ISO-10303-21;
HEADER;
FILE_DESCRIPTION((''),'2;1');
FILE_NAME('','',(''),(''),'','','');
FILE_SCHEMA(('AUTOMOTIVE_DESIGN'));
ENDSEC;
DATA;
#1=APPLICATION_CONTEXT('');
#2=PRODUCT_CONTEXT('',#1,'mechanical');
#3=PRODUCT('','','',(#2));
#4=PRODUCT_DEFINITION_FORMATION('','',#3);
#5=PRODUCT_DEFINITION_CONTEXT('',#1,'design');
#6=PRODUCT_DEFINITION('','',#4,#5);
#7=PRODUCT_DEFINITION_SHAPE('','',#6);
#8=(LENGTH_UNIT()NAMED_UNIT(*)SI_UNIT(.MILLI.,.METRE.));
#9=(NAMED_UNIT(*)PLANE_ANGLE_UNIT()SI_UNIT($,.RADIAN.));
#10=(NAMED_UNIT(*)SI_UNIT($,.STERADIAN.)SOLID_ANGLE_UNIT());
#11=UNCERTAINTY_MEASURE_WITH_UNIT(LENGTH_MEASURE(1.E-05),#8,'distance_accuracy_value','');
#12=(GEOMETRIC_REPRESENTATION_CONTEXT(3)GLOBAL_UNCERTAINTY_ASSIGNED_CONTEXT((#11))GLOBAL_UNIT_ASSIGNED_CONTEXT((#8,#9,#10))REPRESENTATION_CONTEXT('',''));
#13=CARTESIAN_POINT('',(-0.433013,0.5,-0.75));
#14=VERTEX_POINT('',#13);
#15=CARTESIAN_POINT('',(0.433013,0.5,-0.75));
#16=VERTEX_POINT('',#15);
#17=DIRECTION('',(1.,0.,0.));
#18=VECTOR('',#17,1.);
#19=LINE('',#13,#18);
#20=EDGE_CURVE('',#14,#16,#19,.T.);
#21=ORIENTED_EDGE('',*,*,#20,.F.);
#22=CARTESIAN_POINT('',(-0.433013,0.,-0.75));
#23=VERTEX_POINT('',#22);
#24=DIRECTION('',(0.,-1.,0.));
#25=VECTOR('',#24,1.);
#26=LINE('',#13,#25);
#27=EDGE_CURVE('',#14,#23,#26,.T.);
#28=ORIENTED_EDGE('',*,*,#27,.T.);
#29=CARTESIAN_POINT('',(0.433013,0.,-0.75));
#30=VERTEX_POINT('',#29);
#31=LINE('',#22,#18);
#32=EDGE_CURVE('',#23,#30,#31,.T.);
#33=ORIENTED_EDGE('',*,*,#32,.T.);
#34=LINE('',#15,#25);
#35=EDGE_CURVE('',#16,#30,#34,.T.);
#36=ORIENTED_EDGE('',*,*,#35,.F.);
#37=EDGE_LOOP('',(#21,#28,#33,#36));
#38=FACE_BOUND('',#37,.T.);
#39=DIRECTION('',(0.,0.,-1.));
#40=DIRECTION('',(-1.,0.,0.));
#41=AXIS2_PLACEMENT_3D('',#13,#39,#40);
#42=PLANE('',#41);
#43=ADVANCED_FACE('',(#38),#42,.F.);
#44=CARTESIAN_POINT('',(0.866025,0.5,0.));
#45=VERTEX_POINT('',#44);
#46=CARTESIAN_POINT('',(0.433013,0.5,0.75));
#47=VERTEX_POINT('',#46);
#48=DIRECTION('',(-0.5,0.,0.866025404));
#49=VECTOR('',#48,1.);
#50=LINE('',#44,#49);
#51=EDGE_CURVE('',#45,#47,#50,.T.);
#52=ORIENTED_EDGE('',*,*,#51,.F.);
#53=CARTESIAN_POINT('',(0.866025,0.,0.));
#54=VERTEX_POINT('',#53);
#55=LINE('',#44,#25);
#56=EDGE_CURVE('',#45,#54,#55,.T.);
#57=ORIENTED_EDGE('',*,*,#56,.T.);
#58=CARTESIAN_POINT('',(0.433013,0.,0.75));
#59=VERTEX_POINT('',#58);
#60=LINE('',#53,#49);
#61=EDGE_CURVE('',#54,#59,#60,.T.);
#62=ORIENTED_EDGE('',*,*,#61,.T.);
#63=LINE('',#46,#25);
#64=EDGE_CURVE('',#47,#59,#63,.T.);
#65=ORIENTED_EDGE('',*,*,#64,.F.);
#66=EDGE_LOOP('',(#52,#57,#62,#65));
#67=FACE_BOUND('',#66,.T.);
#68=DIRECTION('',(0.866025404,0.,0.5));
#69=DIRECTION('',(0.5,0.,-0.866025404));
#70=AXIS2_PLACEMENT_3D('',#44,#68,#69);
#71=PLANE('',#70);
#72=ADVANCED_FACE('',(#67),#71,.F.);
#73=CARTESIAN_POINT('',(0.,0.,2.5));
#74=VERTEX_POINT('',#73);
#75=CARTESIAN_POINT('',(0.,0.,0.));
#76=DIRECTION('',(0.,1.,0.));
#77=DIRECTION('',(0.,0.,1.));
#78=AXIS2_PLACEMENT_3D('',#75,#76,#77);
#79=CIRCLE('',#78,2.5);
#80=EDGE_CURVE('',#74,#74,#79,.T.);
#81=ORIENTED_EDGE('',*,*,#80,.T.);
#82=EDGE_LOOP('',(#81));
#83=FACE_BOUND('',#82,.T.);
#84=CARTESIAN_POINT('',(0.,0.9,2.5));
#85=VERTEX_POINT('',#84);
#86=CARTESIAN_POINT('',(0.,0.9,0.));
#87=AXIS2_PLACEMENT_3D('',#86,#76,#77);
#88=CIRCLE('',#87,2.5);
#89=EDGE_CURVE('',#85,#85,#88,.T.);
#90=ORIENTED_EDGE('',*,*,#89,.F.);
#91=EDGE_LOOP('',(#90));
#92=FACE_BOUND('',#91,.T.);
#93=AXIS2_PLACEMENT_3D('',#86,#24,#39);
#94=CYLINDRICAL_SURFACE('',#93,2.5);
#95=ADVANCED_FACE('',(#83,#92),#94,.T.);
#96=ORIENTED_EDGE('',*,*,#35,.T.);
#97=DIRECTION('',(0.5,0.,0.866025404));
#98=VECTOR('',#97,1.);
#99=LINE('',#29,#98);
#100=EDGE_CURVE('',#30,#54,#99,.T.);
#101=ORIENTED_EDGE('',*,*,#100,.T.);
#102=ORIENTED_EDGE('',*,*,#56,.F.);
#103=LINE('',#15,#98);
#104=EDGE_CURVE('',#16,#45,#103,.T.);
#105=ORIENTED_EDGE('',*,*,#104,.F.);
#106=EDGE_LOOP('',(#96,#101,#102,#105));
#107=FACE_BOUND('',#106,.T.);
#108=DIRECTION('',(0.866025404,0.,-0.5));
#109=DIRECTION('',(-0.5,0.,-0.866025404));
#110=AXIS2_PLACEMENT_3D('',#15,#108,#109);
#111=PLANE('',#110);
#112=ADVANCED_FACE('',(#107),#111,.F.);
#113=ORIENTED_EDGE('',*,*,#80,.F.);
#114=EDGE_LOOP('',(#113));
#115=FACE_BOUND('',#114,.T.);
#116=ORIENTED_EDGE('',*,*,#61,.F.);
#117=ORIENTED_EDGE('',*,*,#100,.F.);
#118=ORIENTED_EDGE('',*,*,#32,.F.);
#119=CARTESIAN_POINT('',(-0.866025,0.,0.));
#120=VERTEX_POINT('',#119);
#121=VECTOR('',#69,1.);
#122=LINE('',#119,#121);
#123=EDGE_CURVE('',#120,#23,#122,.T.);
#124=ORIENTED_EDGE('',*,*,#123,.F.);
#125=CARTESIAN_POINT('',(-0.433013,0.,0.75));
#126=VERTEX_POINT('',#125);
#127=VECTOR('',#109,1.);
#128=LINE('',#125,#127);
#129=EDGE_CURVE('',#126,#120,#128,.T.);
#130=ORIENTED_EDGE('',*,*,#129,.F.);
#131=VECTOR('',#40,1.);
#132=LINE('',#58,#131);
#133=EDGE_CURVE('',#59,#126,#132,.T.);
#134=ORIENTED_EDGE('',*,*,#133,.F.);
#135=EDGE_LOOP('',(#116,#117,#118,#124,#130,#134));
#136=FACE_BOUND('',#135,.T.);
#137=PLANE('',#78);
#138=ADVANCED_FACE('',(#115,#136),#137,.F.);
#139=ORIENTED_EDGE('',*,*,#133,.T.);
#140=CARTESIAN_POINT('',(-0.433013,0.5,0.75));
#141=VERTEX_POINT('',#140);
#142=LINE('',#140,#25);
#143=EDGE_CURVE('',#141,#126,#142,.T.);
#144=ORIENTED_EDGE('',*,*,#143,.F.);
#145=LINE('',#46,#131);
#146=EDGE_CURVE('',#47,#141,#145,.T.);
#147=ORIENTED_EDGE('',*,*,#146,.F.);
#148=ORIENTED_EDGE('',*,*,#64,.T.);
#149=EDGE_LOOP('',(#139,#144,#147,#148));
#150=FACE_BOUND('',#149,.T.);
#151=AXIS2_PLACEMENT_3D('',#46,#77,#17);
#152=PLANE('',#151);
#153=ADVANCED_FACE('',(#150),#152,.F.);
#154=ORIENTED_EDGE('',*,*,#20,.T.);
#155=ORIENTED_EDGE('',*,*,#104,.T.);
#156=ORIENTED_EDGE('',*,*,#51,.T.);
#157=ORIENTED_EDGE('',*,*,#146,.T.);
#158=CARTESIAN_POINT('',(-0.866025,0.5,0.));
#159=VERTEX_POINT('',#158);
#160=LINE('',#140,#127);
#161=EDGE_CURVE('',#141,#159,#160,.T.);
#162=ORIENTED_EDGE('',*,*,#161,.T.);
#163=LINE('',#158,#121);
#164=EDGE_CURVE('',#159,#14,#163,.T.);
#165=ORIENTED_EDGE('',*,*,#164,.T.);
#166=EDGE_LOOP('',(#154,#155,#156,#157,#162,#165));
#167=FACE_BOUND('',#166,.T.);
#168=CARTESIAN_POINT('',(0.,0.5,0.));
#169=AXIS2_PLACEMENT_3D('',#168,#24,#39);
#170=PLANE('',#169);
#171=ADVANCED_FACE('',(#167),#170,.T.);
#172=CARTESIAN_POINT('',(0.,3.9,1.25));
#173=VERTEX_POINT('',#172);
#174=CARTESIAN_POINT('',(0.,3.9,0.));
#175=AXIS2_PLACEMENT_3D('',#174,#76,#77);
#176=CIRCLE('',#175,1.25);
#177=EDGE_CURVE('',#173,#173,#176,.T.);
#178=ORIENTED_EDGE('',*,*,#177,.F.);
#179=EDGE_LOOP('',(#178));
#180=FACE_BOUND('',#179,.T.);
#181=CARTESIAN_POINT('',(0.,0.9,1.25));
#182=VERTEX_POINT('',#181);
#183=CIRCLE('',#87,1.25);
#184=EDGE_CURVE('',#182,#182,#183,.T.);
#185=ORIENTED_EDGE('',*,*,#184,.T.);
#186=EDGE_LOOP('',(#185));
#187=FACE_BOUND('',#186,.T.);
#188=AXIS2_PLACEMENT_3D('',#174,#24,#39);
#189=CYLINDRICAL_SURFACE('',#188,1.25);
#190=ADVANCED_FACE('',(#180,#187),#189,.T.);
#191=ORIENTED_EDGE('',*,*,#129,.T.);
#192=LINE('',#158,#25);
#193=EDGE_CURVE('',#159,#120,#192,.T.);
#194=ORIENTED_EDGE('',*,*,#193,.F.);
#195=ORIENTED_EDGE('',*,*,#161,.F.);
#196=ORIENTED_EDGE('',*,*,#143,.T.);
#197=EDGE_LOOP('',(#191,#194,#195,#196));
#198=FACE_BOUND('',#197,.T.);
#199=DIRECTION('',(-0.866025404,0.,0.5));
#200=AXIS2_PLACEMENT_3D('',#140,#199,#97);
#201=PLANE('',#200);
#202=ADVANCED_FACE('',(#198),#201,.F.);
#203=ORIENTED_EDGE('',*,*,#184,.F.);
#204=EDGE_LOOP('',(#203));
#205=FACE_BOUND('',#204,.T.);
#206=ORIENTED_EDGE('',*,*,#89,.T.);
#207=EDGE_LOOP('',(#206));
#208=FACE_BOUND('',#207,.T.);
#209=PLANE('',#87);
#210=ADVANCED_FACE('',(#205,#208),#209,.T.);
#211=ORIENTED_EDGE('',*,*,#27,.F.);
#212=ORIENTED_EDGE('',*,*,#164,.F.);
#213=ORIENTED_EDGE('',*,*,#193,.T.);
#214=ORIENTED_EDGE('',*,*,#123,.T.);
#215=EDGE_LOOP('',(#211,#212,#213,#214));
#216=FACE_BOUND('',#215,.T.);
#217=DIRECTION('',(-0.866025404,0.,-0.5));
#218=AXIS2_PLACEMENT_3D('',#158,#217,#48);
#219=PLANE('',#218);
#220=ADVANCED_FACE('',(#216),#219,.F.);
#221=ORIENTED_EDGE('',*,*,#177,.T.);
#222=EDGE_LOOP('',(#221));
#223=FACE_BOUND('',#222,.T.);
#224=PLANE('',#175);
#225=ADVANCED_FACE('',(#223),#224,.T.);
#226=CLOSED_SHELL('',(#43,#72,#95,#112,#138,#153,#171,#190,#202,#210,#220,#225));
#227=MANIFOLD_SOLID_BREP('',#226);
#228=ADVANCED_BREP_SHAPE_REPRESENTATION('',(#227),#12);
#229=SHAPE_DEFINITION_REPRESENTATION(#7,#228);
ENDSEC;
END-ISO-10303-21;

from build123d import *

# Parameters (mm, degrees)
SKETCH_1_R          = 2.5
EXTRUDE_1_DEPTH     = 0.9
SKETCH_2_R          = 1.25
EXTRUDE_2_DEPTH     = 3
CUT_EXTRUDE_1_DEPTH = 0.5


with BuildPart() as part:
    # 草图1 → 凸台-拉伸1 (new body)
    with BuildSketch(Plane(origin=(0, 0, 0), x_dir=(1, 0, 0), z_dir=(0, 1, 0))):
        with Locations(Location((0, 0, 0), (0, 0, 270))):
            Circle(SKETCH_1_R)
    extrude(amount=EXTRUDE_1_DEPTH)

    # 草图2 → 凸台-拉伸2 (add)
    with BuildSketch(Plane(origin=(0, 0.9, 0), x_dir=(1, 0, 0), z_dir=(0, 1, 0))):
        with Locations(Location((0, 0, 0), (0, 0, 270))):
            Circle(SKETCH_2_R)
    extrude(amount=EXTRUDE_2_DEPTH)

    # 草图3 → 切除-拉伸1 (cut)
    with BuildSketch(Plane.XZ):
        Polygon((0.433012702, 0.75), (-0.433012702, 0.75), (-0.866025404, 0), (-0.433012702, -0.75), (0.433012702, -0.75), (0.866025404, 0), align=None)
    extrude(amount=-CUT_EXTRUDE_1_DEPTH, mode=Mode.SUBTRACT)


solid = part.part
